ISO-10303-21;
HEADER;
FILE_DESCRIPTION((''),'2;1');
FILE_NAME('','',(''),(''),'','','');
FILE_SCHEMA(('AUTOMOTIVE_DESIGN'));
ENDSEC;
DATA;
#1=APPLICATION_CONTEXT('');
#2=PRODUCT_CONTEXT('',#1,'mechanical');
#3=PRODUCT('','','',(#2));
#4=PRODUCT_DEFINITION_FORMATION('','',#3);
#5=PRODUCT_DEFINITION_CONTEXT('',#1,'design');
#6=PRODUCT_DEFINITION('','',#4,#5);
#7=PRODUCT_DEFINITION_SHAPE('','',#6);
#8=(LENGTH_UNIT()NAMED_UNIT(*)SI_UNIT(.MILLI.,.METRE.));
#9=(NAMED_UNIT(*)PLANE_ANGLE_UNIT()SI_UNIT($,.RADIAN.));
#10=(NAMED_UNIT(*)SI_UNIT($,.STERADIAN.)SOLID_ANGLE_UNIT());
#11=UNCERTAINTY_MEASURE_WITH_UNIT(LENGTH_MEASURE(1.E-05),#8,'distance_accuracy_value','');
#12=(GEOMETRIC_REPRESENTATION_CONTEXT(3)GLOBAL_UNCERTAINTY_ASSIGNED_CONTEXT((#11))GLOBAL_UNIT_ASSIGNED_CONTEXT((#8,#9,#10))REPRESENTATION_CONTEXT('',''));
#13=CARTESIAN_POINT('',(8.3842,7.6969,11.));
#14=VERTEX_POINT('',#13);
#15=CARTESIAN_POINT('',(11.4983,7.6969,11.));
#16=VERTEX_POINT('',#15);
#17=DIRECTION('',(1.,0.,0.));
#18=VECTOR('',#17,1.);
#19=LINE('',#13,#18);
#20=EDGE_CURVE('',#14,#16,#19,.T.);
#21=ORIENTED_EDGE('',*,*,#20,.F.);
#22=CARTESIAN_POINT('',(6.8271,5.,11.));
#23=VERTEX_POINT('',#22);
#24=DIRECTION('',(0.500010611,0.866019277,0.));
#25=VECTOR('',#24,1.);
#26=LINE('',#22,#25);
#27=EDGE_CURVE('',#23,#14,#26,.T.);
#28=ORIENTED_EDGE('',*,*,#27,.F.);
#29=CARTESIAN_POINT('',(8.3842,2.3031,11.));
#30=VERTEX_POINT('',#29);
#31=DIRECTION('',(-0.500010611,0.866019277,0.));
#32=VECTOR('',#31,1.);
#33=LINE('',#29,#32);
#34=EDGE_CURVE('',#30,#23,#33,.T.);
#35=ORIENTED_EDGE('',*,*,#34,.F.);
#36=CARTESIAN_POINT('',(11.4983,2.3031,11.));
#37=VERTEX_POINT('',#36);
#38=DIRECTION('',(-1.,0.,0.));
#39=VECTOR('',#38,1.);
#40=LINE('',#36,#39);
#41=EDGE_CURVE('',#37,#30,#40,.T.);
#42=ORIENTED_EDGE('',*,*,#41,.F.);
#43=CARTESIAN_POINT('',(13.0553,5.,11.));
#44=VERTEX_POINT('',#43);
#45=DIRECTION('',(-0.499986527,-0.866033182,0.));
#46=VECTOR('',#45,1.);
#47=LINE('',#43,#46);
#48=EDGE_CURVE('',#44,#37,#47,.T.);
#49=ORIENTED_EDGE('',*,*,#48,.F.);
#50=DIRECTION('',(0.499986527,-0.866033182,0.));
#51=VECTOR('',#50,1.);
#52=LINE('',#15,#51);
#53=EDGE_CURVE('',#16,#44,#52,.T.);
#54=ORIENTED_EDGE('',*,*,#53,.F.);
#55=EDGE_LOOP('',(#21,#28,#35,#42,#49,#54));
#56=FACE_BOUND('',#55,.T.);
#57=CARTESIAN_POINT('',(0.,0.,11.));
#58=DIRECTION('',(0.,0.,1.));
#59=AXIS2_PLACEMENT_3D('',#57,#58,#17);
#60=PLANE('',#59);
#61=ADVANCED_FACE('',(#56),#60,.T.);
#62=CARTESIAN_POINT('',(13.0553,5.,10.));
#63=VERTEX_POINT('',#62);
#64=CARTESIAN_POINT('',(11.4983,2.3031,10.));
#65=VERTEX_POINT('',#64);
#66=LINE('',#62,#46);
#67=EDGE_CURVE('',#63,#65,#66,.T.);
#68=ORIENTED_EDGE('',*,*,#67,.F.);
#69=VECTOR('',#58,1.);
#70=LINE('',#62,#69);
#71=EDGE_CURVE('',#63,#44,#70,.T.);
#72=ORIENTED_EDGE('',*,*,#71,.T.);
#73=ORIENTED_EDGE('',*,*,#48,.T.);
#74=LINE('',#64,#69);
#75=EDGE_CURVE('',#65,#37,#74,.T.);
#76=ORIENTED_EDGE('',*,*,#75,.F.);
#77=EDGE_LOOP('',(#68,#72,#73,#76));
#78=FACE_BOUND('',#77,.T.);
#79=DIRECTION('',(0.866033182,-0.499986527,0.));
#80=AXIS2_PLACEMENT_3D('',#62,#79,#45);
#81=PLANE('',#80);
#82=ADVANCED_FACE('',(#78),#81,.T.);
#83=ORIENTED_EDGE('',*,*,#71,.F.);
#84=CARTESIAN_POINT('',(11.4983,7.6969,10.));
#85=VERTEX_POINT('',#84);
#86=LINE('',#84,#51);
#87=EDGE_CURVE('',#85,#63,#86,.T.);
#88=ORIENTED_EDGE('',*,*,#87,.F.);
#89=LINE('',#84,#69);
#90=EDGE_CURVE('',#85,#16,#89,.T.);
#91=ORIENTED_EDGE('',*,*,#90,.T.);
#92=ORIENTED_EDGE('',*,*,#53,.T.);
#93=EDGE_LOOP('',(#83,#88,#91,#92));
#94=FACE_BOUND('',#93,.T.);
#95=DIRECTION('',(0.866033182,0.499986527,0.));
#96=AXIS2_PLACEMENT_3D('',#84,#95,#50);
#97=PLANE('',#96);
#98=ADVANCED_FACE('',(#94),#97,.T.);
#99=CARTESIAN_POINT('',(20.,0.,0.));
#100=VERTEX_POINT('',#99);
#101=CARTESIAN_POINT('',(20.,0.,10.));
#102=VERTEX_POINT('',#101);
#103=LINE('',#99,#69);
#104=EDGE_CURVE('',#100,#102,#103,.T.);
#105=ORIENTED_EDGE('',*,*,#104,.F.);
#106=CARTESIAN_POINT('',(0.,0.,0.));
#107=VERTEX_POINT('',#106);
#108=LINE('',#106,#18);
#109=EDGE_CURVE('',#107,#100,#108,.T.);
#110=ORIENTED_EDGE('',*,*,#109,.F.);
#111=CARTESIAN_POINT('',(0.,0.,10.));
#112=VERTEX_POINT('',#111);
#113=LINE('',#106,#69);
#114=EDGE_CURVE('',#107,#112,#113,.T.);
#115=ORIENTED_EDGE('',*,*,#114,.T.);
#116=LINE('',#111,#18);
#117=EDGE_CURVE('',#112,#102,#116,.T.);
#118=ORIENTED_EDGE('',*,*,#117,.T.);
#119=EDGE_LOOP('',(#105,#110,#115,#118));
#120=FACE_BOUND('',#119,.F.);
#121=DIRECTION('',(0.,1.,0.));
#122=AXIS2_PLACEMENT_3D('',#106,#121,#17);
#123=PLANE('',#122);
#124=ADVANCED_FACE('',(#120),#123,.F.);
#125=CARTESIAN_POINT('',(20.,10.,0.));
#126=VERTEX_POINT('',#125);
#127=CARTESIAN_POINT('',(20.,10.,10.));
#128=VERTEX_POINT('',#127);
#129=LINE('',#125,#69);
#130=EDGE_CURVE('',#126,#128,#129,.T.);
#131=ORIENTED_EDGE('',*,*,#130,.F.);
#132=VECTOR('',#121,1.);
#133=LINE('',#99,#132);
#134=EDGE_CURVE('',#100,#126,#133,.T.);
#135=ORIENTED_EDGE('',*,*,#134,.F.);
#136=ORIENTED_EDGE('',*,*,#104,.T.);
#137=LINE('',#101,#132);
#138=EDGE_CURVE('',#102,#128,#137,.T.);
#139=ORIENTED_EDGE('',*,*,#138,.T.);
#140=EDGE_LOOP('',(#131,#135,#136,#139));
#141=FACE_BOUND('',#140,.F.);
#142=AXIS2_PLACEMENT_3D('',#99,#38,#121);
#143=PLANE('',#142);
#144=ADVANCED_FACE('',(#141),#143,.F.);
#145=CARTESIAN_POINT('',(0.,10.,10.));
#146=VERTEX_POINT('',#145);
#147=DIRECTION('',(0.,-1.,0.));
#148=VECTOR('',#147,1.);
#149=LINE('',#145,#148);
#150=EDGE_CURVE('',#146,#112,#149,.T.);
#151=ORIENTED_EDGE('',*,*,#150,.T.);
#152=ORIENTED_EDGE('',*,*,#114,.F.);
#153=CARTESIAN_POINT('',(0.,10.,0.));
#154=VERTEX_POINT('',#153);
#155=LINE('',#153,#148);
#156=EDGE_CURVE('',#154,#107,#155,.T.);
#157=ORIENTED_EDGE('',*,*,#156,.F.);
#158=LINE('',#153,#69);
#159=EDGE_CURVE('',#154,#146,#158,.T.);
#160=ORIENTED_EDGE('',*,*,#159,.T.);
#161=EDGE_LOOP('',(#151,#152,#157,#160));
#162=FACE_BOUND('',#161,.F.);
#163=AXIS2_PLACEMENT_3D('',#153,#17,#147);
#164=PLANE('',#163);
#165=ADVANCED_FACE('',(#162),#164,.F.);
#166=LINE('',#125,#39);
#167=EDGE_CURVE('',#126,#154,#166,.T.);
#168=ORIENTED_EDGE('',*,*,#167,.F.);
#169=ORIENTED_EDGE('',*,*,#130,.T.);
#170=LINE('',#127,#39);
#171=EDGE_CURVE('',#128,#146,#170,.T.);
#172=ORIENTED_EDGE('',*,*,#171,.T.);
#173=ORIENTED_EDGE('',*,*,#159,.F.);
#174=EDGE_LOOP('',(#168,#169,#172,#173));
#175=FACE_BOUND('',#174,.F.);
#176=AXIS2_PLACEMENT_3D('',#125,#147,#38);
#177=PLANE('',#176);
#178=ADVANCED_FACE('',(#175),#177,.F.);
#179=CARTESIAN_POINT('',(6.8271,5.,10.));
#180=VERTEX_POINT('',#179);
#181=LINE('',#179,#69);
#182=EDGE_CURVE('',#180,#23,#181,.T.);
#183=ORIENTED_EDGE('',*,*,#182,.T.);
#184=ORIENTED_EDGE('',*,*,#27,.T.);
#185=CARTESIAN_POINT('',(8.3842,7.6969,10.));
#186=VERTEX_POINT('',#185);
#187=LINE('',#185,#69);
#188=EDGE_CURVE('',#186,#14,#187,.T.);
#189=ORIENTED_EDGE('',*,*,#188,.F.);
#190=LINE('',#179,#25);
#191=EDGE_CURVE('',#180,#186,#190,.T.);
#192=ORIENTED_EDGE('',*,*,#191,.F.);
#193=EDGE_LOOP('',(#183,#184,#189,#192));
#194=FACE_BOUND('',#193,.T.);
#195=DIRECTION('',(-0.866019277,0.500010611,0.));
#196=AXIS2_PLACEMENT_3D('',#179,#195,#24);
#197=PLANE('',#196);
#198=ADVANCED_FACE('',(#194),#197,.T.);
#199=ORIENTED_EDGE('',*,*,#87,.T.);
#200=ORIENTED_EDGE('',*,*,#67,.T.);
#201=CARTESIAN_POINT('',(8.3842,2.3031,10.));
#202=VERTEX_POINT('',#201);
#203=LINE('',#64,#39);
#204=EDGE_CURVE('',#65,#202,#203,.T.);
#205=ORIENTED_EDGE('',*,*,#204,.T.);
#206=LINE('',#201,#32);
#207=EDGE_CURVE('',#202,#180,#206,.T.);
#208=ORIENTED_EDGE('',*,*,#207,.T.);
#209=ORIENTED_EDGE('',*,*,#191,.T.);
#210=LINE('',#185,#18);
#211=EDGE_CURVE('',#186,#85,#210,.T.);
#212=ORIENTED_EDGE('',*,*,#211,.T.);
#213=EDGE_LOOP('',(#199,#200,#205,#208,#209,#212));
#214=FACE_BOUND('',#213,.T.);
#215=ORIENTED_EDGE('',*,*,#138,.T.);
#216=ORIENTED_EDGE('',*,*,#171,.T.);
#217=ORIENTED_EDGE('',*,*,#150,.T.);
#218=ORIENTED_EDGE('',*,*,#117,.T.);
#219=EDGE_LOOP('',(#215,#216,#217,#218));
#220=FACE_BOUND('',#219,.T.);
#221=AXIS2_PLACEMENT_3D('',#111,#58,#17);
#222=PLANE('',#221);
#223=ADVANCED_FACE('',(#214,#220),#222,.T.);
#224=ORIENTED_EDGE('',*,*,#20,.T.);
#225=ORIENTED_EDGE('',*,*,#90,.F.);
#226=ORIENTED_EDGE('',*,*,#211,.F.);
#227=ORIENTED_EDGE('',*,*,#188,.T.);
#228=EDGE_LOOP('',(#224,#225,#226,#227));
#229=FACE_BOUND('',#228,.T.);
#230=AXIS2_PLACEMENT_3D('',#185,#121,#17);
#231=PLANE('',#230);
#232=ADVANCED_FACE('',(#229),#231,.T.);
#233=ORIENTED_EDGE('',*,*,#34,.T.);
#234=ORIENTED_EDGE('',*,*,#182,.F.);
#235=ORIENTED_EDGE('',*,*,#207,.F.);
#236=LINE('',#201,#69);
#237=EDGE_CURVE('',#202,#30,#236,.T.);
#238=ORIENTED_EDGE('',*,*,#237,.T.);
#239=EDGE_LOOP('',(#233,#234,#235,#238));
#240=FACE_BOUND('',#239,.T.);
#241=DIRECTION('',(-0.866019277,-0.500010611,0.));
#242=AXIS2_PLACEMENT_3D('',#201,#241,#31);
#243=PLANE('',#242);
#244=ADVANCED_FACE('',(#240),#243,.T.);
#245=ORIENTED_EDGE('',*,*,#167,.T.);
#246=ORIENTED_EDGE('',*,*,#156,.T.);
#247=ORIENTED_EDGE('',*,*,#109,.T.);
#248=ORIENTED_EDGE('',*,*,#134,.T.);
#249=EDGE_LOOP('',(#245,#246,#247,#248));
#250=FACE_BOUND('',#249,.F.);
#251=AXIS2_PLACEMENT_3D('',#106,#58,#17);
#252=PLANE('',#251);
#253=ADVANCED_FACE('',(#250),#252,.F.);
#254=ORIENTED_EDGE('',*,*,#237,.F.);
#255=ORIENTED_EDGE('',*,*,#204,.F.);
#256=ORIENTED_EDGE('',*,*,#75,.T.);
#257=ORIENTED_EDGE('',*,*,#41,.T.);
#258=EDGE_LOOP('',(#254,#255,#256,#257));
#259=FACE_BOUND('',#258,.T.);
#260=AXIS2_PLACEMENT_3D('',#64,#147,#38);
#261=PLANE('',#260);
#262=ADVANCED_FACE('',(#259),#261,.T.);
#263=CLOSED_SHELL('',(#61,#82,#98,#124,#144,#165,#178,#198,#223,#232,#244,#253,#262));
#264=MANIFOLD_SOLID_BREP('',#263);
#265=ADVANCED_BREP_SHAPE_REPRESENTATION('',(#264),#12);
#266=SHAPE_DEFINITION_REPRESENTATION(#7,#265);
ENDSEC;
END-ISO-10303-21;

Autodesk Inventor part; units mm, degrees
ref_plane "YZ Plane" through (0, 0, 0) normal (1, 0, 0) x (0, 1, 0)
ref_plane "XZ Plane" through (0, 0, 0) normal (0, 1, 0) x (-1, 0, 0)
ref_plane "XY Plane" through (0, 0, 0) normal (0, 0, 1) x (1, 0, 0)
sketch "Sketch1" plane through (0, 0, 0) normal (0, 0, 1) x (1, 0, 0)
  line L0 (0, 0) -> (20, 0)
  line L1 (20, 0) -> (20, 10)
  line L2 (20, 10) -> (0, 10)
  line L3 (0, 10) -> (0, 0)
  dimension "d0" = 20
  dimension "d1" = 10
extrude "Extrusion1" add sketch "Sketch1" along normal blind 10
sketch "Sketch2" plane through (0, 0, 10) normal (0, 0, 1) x (1, 0, 0)
  line L0 (0, 10) -> (0, 0) construction
  line L1 (0, 0) -> (19.8824, 10) construction
  line L2 (0, 10) -> (19.8824, 0) construction
  line L3 (6.8271, 5) -> (8.3842, 7.6969)
  line L4 (8.3842, 7.6969) -> (11.4983, 7.6969)
  line L5 (11.4983, 7.6969) -> (13.0553, 5)
  line L6 (13.0553, 5) -> (11.4983, 2.3031)
  line L7 (11.4983, 2.3031) -> (8.3842, 2.3031)
  line L8 (8.3842, 2.3031) -> (6.8271, 5)
  point P0 (9.9412, 5)
extrude "Extrusion2" add sketch "Sketch2" along normal blind 1
properties part number "Basic Sensor"
